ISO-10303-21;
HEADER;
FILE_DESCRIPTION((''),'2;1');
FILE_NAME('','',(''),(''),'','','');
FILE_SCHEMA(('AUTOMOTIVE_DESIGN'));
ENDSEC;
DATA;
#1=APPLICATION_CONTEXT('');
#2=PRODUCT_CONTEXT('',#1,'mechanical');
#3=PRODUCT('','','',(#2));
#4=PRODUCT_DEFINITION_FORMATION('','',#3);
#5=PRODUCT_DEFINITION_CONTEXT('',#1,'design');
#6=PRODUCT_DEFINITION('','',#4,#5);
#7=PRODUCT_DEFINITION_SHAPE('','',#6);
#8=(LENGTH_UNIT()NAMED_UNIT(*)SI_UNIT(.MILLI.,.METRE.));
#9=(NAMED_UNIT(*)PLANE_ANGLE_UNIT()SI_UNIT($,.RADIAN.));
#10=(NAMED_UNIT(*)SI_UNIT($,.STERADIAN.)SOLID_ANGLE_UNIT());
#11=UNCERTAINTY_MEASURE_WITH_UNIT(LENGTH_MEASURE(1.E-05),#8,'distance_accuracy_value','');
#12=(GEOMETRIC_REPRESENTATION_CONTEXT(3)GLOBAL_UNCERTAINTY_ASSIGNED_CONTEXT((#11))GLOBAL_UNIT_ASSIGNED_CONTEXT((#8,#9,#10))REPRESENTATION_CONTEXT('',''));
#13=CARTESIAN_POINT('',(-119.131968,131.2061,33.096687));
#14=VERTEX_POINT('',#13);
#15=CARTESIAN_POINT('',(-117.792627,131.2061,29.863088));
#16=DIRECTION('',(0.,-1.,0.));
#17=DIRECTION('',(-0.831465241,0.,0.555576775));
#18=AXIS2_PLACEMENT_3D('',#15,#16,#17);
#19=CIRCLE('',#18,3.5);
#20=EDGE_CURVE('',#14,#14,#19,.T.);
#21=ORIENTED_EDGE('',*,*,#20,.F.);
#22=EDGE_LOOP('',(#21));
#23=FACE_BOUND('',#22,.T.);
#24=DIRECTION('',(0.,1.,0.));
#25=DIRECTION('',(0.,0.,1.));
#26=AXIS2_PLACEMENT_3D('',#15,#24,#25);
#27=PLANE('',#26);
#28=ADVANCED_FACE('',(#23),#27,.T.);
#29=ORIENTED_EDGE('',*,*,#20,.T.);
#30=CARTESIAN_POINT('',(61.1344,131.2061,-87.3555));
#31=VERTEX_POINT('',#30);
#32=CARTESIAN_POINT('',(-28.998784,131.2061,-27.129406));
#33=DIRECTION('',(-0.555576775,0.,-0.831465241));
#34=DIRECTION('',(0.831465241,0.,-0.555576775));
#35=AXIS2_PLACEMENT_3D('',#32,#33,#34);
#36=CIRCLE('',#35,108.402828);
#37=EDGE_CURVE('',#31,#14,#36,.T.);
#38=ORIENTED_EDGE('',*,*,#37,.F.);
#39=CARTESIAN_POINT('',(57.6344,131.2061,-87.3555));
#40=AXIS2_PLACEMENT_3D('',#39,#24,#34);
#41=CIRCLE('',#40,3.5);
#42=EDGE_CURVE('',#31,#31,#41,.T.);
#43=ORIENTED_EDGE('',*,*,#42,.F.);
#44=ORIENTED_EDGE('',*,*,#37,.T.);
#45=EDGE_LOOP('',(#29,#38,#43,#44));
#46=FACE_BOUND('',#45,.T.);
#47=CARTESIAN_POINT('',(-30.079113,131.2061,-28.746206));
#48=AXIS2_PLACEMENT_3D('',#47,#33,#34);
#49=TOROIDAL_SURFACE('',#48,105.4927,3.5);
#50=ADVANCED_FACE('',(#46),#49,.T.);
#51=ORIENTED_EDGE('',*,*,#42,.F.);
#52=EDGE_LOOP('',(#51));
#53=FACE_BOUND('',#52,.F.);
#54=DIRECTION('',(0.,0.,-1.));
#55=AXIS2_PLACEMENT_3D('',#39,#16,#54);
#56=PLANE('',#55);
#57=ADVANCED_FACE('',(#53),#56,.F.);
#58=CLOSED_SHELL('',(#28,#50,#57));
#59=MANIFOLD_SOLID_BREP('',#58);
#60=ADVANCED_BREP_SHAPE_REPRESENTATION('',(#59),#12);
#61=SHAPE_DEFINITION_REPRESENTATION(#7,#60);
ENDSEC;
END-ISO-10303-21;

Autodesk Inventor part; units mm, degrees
ref_plane "YZ Plane" through (0, 0, 0) normal (1, 0, 0) x (0, 1, 0)
ref_plane "XZ Plane" through (0, 0, 0) normal (0, 1, 0) x (-1, 0, 0)
ref_plane "XY Plane" through (0, 0, 0) normal (0, 0, 1) x (1, 0, 0)
ref_plane "РабПлоскость1" through (57.6344, 131.2061, -87.3555) normal (-0.5556, 0, -0.8315) x (0, -1, 0)
sketch "Эскиз2" plane through (57.6344, 131.2061, -87.3555) normal (-0.5556, 0, -0.8315) x (0, -1, 0)
  arc A0 (0, 0) -> (0, 210.9854) centre (0, 105.4927) ccw
  point P0 (131.2061, 96.4534)
ref_plane "РабПлоскость2" through (57.6344, 131.2061, -87.3555) normal (0, -1, 0) x (1, 0, 0)
sketch "Эскиз3" plane through (57.6344, 131.2061, -87.3555) normal (0, -1, 0) x (1, 0, 0)
  circle A0 centre (0, 0) radius 3.5 projected
  point P0 (-57.6344, 87.3555)
sweep "Сдвиг1" add profiles "Эскиз3" path "Эскиз2"
properties part number "winding_not_formed_2_A"
